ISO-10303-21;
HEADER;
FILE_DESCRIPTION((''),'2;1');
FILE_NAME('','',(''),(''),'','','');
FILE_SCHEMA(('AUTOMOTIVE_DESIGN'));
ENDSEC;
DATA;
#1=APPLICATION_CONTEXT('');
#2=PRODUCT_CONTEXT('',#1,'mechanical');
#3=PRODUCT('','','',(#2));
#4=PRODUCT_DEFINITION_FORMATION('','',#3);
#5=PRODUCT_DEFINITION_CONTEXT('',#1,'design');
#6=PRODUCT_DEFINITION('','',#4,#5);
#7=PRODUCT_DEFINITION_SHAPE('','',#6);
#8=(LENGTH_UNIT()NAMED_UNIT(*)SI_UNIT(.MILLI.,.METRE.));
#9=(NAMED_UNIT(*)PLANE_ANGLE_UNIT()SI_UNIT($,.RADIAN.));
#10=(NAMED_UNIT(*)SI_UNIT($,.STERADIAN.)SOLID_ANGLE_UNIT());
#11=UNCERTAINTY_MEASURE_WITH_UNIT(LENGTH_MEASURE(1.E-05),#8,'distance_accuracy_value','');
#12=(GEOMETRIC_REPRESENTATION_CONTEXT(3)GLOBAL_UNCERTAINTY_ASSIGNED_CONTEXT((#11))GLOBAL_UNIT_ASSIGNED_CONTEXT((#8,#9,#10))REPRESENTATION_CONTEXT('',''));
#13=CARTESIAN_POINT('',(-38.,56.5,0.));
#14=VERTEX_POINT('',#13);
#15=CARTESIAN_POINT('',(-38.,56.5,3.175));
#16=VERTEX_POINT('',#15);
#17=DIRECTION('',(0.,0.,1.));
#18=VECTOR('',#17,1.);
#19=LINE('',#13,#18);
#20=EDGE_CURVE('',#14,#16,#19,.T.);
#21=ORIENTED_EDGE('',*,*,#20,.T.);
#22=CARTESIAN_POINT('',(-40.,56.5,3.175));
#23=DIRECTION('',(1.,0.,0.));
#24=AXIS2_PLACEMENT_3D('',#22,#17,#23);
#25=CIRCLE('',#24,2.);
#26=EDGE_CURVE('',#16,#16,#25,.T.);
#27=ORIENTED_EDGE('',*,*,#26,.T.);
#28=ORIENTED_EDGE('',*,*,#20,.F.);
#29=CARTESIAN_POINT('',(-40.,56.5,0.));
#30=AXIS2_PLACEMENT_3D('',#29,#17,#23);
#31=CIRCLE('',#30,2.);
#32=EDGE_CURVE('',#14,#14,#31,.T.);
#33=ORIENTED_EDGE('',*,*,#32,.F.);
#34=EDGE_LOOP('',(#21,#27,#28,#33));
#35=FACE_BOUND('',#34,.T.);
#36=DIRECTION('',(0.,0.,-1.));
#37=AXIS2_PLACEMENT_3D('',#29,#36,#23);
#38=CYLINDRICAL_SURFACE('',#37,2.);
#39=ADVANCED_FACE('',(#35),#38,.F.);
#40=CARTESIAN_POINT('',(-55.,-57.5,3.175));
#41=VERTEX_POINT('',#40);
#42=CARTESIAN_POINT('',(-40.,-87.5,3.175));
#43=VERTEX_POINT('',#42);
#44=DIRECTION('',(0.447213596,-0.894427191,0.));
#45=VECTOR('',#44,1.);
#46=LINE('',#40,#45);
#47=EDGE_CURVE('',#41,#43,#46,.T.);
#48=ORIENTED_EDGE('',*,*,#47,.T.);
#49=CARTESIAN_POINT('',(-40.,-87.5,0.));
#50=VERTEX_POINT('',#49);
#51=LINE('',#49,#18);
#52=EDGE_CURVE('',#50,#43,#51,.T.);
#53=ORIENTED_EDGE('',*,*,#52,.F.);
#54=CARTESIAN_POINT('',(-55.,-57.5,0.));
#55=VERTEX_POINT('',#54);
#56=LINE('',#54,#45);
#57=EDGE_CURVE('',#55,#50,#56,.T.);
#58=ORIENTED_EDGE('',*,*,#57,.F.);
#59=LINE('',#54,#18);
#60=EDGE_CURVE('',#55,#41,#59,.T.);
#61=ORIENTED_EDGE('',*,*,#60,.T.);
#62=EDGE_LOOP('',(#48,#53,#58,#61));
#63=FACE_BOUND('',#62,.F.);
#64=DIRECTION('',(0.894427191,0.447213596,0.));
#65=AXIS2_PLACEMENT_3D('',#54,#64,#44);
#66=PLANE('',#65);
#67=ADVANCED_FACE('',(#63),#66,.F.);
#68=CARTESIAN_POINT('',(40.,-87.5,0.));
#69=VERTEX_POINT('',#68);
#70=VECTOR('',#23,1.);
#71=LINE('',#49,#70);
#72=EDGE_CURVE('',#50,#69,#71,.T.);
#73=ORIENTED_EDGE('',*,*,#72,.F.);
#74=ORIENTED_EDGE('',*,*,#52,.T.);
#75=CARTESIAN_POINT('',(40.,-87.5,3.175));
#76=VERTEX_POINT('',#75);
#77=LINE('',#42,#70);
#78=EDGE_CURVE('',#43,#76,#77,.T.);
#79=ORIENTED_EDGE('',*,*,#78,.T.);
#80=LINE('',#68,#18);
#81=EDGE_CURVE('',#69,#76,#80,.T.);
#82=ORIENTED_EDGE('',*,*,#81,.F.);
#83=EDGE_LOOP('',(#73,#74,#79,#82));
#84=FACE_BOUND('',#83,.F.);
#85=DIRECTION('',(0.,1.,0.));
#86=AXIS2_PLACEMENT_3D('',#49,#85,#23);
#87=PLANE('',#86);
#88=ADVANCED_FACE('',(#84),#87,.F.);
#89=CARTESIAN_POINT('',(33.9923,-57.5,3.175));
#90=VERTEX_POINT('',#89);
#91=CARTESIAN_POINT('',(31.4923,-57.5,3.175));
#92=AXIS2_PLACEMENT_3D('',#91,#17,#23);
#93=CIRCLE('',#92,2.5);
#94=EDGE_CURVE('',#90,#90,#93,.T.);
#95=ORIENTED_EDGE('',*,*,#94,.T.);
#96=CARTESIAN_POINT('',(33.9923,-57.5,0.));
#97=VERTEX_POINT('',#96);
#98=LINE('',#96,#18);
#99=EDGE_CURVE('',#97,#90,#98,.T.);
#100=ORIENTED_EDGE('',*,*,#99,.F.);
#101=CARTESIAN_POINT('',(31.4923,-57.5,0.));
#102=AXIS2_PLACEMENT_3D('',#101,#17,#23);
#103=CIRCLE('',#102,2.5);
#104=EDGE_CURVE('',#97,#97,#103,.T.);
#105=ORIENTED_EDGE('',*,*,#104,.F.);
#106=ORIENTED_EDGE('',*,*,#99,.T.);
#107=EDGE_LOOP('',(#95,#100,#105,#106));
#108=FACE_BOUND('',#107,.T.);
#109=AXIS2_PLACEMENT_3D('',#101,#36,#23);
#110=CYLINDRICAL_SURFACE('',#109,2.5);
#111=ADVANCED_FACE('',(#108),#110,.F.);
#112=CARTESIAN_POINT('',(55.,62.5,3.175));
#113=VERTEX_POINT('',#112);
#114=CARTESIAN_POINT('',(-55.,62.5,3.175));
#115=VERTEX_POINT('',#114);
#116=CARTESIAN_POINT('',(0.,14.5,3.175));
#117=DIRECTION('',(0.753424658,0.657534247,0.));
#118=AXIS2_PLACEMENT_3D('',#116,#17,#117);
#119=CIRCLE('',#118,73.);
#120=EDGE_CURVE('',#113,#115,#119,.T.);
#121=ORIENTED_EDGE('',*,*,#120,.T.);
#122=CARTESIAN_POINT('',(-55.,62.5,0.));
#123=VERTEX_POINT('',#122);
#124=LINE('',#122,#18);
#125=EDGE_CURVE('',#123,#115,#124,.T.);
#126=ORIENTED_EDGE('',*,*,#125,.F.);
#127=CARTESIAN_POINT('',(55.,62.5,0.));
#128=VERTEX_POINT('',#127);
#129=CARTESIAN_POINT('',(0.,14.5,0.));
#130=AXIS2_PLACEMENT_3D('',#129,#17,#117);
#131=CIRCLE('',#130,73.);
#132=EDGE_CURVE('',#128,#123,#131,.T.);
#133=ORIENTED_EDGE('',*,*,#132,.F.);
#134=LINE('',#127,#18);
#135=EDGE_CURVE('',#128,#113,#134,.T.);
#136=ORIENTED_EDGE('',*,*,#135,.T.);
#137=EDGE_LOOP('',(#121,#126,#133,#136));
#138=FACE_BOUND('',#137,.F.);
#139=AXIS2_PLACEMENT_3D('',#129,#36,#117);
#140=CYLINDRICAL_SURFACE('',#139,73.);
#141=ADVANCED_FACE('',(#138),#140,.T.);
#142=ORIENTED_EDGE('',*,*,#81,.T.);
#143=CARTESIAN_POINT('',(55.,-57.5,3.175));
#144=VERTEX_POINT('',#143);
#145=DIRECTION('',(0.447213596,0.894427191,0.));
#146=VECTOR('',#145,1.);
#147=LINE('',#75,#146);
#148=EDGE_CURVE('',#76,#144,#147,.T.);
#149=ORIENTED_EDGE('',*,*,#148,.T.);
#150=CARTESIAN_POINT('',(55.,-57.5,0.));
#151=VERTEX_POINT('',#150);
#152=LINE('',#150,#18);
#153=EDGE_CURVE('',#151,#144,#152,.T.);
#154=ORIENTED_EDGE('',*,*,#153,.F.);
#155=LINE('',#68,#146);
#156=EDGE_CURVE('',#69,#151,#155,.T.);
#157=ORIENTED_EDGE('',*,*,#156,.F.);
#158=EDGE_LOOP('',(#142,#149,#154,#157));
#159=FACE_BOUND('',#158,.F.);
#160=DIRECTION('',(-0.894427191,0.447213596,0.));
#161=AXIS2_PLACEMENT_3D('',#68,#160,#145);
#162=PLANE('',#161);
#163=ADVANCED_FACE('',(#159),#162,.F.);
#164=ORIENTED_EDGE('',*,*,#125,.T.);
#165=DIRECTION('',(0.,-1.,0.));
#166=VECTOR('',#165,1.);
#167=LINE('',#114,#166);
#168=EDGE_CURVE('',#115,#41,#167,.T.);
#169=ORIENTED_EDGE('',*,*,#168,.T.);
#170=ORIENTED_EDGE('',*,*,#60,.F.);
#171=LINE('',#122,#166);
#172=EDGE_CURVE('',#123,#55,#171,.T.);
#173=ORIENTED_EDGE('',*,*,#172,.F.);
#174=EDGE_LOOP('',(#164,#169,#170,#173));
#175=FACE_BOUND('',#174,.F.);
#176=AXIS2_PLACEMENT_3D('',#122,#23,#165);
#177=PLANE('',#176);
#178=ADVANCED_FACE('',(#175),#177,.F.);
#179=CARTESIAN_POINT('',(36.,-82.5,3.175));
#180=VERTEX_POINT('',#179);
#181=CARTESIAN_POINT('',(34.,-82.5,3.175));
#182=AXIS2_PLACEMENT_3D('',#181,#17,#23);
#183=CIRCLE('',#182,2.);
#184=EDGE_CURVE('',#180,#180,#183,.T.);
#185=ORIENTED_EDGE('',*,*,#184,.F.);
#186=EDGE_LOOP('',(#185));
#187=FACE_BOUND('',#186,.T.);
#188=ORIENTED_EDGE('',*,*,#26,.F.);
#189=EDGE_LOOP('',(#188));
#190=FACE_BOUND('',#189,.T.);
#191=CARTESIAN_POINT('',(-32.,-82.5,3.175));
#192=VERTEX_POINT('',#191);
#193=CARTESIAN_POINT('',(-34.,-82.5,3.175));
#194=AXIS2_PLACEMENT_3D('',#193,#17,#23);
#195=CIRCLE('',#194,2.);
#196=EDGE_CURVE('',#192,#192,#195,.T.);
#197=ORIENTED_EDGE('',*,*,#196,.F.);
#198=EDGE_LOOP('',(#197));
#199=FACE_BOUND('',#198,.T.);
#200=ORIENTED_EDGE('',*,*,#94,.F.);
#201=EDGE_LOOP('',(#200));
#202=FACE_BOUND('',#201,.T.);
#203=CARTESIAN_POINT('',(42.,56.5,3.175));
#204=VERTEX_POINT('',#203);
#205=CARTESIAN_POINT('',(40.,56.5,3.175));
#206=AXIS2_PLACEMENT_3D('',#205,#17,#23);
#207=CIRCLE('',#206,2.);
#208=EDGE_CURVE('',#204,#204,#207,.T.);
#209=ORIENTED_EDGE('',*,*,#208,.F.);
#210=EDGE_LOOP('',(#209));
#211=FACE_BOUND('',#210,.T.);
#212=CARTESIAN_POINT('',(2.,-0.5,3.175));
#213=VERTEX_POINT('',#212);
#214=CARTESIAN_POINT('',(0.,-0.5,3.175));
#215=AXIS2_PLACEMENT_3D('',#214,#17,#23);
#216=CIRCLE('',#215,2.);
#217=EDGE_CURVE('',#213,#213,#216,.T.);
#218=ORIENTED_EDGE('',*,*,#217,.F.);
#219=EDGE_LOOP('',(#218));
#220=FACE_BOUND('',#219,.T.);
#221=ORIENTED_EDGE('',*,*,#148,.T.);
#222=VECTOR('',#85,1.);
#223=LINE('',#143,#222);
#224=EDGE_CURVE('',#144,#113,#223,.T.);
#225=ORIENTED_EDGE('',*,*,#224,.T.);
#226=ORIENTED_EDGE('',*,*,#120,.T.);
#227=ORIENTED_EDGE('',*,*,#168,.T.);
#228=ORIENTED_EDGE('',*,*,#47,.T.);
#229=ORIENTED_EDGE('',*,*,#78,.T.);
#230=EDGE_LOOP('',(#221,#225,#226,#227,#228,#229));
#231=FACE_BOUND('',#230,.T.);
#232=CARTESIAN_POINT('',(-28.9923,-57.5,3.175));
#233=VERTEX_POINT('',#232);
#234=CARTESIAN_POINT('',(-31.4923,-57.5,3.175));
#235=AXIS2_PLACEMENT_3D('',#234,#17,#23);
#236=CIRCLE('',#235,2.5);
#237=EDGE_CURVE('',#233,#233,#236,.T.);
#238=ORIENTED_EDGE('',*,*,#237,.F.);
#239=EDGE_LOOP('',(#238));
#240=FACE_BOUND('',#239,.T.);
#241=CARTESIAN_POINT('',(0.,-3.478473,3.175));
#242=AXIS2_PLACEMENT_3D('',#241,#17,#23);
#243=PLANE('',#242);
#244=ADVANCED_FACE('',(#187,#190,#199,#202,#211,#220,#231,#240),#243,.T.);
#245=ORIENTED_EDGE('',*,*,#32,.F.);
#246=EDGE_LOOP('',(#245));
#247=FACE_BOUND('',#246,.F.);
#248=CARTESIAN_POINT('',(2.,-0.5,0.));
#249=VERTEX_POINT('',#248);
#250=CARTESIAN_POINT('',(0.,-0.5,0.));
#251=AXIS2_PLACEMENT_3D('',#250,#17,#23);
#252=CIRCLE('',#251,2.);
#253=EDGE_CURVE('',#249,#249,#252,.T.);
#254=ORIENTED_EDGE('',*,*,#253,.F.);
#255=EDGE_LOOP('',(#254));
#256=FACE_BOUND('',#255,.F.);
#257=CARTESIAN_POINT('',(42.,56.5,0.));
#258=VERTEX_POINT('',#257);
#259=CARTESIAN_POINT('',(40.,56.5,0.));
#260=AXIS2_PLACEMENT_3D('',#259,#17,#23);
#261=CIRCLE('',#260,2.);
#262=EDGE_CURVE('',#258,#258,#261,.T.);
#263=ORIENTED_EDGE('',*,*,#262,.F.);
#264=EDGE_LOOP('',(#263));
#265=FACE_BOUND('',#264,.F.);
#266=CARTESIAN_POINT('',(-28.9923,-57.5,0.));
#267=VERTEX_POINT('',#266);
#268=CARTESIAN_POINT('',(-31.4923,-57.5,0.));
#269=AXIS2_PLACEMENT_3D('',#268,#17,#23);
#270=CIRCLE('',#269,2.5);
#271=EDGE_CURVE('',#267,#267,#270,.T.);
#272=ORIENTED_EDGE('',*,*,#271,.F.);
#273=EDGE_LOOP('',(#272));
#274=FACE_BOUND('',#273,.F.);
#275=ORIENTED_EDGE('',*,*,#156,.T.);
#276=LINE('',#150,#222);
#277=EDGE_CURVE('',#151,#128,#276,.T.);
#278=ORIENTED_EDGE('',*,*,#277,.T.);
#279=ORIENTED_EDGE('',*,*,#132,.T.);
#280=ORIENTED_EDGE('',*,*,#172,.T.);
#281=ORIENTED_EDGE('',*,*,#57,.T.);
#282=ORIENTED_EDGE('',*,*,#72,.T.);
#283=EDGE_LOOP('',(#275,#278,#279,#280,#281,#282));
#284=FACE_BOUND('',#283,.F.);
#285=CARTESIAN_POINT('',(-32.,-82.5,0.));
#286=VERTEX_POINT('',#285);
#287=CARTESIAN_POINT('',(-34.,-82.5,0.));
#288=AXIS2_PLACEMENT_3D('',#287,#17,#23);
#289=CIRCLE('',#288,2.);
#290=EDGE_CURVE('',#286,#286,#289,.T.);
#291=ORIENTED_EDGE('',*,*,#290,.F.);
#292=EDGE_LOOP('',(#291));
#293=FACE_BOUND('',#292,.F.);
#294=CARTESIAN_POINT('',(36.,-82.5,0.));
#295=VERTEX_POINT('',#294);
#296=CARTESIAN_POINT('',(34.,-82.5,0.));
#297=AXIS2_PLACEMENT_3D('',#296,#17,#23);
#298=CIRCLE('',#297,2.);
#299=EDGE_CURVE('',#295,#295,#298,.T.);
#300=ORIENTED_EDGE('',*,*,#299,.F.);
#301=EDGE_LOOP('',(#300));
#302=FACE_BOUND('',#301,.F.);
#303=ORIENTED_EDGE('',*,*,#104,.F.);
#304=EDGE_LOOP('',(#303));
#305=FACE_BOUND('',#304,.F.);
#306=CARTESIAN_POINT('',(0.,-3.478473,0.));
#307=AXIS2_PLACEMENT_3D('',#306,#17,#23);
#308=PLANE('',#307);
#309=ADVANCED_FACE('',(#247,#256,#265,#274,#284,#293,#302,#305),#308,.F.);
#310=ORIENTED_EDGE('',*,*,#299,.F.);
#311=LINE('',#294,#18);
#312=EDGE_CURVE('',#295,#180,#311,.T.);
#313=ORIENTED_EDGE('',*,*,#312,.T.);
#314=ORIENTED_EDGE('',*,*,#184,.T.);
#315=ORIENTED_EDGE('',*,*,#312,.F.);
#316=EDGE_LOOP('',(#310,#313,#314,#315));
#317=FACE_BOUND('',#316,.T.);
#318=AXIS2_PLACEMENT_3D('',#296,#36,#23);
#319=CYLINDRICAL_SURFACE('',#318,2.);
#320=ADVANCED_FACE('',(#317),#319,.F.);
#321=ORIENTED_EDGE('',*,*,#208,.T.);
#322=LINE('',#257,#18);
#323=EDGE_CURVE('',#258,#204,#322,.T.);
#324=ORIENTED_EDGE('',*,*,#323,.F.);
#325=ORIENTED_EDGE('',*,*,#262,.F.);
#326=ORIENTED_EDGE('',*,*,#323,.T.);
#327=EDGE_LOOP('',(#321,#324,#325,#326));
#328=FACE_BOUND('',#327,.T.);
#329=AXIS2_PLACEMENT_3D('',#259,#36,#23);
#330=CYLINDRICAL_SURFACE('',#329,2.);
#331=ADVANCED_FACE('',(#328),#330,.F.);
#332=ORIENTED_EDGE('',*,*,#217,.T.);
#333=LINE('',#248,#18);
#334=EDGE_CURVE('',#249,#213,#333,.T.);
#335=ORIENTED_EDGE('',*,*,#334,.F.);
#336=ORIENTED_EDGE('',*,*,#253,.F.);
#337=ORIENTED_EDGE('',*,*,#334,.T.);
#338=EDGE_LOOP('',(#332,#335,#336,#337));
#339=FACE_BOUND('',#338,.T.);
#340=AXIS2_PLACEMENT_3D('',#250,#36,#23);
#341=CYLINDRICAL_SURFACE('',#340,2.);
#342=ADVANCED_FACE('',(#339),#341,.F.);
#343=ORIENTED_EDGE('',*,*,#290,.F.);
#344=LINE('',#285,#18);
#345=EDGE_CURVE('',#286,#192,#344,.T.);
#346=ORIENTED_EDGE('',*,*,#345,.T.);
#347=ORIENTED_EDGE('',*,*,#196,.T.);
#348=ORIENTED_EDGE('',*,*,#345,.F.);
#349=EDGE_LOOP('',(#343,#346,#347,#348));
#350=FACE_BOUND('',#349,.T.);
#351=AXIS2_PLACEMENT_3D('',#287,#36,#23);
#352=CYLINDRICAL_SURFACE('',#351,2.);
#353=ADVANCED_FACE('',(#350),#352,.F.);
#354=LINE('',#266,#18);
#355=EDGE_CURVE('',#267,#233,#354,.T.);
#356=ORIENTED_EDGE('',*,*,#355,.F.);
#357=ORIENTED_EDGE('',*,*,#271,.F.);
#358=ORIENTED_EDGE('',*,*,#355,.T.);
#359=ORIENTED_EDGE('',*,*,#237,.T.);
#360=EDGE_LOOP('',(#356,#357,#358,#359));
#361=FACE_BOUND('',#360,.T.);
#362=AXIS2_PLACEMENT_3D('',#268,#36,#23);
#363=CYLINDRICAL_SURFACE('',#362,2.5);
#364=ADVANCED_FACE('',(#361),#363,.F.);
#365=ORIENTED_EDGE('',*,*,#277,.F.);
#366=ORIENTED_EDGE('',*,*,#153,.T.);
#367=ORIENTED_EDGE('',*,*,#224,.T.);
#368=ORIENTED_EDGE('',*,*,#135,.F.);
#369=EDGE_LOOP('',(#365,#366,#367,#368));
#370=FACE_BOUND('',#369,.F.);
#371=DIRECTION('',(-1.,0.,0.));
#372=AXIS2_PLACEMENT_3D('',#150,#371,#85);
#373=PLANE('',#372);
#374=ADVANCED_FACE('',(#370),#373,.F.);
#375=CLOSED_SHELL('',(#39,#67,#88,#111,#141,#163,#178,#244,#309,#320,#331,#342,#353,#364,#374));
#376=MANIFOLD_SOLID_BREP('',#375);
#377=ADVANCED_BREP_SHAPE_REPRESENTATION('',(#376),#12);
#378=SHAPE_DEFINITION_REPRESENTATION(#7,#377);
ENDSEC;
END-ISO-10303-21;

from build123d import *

# Parameters (mm, degrees)
F0_R     = 2
F0_R_2   = 2.5
F1_DEPTH = 3.175


with BuildPart() as f1:
    # F0 (on Top) → F1 (new body)
    with BuildSketch(Plane.XY):
        with BuildLine():
            Line((-55, -57.5), (-40, -87.5))
            Line((-40, -87.5), (40, -87.5))
            Line((40, -87.5), (55, -57.5))
            Line((55, -57.5), (55, 62.5))
            ThreePointArc((55, 62.5), (0, 87.5), (-55, 62.5))
            Line((-55, 62.5), (-55, -57.5))
        make_face()
        with Locations((-34, -82.5)):
            Circle(F0_R, mode=Mode.SUBTRACT)
        with Locations((-31.4923, -57.5)):
            Circle(F0_R_2, mode=Mode.SUBTRACT)
        with Locations((34, -82.5)):
            Circle(F0_R, mode=Mode.SUBTRACT)
        with Locations((31.4923, -57.5)):
            Circle(F0_R_2, mode=Mode.SUBTRACT)
        with Locations((0, -0.5)):
            Circle(F0_R, mode=Mode.SUBTRACT)
        with Locations((-40, 56.5)):
            Circle(F0_R, mode=Mode.SUBTRACT)
        with Locations((40, 56.5)):
            Circle(F0_R, mode=Mode.SUBTRACT)
    extrude(amount=F1_DEPTH)


solid = f1.part
